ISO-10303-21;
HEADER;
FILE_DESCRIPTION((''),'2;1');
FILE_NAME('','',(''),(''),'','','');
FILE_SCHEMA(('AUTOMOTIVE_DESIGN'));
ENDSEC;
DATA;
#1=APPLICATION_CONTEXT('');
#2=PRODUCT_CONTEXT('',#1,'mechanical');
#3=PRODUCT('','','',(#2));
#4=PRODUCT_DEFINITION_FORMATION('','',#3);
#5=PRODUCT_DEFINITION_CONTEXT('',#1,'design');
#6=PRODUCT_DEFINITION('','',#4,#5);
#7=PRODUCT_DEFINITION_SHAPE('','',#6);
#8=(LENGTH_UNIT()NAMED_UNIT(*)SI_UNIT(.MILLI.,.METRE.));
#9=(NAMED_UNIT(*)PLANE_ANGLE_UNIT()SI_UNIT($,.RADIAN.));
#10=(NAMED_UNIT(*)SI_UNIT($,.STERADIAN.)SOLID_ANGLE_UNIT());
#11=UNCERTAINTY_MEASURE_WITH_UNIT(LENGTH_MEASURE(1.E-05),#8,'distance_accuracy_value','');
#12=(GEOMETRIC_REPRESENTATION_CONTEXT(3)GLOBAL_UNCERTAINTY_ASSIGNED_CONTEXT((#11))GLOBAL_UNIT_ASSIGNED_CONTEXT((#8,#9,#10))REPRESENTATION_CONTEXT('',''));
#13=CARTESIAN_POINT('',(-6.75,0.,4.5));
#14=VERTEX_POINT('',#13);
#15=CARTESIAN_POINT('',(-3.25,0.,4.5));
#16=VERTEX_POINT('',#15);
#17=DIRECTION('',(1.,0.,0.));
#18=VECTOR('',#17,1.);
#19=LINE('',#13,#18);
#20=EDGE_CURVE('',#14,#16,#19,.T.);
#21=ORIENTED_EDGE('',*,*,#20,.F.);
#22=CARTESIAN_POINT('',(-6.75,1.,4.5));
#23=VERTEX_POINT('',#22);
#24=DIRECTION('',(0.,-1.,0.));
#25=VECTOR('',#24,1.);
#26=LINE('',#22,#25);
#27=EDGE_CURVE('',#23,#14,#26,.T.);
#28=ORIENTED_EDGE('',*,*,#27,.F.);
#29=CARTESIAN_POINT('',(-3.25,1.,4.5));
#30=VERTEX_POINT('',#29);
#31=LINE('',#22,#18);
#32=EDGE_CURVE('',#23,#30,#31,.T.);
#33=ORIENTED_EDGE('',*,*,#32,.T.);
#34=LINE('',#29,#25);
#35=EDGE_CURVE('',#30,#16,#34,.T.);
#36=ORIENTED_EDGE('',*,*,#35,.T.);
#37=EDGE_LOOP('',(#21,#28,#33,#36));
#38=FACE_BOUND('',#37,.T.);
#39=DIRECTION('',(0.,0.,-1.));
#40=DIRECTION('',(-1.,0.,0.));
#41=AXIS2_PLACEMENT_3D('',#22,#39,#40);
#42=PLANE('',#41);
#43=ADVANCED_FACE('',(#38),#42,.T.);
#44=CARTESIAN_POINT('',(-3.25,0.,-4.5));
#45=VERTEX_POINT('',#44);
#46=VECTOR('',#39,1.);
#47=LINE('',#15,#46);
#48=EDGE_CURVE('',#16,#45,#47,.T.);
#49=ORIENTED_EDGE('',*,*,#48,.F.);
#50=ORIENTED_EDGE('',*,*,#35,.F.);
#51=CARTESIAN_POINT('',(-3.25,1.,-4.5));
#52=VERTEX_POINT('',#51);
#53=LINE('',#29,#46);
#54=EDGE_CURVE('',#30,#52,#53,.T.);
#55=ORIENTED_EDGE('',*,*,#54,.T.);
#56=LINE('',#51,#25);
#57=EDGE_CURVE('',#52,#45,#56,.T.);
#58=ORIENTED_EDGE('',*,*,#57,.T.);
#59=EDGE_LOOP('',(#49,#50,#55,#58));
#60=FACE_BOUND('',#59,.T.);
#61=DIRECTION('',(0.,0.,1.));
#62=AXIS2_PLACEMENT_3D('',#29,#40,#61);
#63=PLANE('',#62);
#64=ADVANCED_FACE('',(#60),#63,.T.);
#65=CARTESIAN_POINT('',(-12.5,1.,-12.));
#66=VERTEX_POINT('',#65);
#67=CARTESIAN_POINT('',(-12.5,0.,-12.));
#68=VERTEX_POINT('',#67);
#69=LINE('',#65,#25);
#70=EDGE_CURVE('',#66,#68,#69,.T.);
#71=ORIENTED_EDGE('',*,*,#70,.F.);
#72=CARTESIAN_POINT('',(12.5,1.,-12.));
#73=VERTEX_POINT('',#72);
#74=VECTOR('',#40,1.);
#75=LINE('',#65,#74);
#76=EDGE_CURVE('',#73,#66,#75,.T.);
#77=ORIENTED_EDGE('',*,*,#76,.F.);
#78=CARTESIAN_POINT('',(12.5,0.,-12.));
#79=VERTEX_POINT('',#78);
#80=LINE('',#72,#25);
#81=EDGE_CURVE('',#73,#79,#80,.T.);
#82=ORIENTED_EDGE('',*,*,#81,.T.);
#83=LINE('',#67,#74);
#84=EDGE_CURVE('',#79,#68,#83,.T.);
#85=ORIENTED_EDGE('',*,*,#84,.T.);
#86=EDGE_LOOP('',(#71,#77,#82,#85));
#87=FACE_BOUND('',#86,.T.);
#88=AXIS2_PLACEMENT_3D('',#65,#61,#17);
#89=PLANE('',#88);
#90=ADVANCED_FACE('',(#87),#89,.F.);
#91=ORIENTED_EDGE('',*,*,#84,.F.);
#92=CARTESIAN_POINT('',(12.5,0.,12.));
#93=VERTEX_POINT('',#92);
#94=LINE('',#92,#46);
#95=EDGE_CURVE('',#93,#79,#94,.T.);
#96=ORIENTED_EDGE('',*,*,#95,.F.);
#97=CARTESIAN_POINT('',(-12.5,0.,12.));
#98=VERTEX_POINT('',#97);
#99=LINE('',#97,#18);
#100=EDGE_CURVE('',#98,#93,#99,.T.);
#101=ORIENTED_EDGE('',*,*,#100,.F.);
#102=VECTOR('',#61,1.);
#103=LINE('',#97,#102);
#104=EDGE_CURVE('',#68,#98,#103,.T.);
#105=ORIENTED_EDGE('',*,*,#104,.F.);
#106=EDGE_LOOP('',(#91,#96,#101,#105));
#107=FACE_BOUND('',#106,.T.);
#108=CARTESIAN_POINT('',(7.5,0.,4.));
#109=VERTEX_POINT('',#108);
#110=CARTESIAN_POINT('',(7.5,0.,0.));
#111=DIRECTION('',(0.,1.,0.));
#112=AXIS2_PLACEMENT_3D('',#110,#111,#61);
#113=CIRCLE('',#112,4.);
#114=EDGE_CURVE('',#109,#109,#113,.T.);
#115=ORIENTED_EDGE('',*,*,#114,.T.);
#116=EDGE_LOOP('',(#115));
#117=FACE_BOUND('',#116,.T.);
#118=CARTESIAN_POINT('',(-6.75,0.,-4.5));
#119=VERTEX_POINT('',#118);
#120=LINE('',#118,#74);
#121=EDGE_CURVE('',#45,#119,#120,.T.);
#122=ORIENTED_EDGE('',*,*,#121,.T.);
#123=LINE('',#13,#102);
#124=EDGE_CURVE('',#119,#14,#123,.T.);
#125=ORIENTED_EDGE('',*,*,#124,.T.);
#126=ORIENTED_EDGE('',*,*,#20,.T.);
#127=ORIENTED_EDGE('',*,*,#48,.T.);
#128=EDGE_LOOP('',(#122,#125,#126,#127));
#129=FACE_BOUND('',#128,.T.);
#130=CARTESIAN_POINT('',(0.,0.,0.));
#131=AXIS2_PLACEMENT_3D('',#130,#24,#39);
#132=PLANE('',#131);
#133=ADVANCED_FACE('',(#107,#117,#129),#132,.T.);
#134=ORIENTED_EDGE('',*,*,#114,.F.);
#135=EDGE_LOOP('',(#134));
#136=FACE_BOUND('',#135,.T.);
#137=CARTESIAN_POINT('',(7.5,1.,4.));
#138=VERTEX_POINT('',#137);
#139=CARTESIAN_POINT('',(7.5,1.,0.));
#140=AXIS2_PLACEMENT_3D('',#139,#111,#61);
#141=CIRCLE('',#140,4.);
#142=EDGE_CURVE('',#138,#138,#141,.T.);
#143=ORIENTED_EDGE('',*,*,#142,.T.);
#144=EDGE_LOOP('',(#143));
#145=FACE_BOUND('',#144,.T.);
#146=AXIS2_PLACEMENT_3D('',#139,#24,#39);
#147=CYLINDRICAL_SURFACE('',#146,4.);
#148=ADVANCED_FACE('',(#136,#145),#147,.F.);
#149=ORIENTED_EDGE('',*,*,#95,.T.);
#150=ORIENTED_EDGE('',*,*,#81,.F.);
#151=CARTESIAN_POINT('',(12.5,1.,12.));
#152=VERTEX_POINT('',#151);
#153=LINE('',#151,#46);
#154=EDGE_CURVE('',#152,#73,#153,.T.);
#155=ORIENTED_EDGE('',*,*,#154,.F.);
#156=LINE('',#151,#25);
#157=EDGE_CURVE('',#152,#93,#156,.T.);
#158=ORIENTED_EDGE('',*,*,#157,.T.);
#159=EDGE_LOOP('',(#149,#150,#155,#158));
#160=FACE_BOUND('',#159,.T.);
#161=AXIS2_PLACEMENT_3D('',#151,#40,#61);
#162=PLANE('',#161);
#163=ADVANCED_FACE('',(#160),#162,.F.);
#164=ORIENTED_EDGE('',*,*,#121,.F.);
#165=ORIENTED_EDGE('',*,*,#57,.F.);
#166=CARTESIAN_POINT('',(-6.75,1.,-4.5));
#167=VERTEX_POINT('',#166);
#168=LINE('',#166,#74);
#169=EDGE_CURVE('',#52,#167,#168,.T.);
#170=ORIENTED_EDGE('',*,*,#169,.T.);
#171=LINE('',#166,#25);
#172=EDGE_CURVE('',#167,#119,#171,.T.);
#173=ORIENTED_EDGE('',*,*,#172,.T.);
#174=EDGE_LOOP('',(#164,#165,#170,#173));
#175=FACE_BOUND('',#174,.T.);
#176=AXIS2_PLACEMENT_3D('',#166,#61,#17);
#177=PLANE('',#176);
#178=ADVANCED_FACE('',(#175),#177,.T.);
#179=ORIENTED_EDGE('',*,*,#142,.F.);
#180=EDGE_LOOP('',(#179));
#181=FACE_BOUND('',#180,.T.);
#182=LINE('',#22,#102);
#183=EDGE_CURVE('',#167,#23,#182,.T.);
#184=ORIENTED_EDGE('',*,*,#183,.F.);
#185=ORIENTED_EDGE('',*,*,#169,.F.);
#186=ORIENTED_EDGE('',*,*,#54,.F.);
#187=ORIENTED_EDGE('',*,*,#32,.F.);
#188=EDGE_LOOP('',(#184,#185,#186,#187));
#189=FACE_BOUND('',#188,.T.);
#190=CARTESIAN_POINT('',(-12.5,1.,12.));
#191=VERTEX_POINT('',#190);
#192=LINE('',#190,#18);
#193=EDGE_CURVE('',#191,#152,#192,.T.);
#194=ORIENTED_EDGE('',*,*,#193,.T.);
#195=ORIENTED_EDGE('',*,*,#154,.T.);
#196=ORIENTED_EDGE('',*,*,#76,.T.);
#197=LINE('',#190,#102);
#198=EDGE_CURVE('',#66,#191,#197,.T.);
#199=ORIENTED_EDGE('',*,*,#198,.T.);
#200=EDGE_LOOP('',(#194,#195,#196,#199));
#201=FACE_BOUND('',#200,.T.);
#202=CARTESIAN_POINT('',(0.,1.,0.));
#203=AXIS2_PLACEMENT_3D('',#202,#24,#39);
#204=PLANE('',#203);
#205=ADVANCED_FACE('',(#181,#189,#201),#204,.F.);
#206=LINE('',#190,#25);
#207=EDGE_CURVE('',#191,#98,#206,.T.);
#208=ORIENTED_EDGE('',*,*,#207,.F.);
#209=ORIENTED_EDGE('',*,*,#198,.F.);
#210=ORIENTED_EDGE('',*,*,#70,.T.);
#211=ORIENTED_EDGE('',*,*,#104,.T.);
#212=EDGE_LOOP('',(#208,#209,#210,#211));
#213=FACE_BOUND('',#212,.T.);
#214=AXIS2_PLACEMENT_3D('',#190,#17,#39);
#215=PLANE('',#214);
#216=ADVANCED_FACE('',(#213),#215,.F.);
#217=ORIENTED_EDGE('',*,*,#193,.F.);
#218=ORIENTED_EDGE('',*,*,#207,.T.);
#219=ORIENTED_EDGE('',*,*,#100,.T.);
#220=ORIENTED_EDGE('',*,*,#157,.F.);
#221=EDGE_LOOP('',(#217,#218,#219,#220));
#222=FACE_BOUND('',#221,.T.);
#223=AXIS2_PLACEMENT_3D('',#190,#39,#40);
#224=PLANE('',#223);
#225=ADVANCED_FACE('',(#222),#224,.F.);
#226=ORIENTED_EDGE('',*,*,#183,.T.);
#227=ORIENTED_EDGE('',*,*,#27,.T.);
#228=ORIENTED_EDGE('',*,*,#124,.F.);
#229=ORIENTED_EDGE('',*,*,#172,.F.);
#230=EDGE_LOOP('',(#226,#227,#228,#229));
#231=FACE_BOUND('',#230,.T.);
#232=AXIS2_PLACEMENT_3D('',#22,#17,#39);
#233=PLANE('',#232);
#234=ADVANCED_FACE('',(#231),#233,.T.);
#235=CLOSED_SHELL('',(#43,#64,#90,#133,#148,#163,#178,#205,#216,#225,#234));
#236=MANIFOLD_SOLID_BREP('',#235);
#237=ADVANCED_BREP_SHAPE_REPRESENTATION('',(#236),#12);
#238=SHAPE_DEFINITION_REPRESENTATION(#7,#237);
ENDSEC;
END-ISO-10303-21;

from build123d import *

# Parameters (mm, degrees)
SKETCH1_W           = 25
SKETCH1_H           = 24
SKETCH1_R           = 4
SKETCH1_W_2         = 3.5
SKETCH1_H_2         = 9
BOSS_EXTRUDE1_DEPTH = 1


with BuildPart() as part:
    # Sketch1 → Boss-Extrude1 (new body)
    with BuildSketch(Plane(origin=(0, 0, 0), x_dir=(1, 0, 0), z_dir=(0, 1, 0))):
        Rectangle(SKETCH1_W, SKETCH1_H)
        with Locations(Location((7.5, 0, 0), (0, 0, 270))):
            Circle(SKETCH1_R, mode=Mode.SUBTRACT)
        with Locations((-5, 0)):
            Rectangle(SKETCH1_W_2, SKETCH1_H_2, mode=Mode.SUBTRACT)
    extrude(amount=BOSS_EXTRUDE1_DEPTH)


solid = part.part
